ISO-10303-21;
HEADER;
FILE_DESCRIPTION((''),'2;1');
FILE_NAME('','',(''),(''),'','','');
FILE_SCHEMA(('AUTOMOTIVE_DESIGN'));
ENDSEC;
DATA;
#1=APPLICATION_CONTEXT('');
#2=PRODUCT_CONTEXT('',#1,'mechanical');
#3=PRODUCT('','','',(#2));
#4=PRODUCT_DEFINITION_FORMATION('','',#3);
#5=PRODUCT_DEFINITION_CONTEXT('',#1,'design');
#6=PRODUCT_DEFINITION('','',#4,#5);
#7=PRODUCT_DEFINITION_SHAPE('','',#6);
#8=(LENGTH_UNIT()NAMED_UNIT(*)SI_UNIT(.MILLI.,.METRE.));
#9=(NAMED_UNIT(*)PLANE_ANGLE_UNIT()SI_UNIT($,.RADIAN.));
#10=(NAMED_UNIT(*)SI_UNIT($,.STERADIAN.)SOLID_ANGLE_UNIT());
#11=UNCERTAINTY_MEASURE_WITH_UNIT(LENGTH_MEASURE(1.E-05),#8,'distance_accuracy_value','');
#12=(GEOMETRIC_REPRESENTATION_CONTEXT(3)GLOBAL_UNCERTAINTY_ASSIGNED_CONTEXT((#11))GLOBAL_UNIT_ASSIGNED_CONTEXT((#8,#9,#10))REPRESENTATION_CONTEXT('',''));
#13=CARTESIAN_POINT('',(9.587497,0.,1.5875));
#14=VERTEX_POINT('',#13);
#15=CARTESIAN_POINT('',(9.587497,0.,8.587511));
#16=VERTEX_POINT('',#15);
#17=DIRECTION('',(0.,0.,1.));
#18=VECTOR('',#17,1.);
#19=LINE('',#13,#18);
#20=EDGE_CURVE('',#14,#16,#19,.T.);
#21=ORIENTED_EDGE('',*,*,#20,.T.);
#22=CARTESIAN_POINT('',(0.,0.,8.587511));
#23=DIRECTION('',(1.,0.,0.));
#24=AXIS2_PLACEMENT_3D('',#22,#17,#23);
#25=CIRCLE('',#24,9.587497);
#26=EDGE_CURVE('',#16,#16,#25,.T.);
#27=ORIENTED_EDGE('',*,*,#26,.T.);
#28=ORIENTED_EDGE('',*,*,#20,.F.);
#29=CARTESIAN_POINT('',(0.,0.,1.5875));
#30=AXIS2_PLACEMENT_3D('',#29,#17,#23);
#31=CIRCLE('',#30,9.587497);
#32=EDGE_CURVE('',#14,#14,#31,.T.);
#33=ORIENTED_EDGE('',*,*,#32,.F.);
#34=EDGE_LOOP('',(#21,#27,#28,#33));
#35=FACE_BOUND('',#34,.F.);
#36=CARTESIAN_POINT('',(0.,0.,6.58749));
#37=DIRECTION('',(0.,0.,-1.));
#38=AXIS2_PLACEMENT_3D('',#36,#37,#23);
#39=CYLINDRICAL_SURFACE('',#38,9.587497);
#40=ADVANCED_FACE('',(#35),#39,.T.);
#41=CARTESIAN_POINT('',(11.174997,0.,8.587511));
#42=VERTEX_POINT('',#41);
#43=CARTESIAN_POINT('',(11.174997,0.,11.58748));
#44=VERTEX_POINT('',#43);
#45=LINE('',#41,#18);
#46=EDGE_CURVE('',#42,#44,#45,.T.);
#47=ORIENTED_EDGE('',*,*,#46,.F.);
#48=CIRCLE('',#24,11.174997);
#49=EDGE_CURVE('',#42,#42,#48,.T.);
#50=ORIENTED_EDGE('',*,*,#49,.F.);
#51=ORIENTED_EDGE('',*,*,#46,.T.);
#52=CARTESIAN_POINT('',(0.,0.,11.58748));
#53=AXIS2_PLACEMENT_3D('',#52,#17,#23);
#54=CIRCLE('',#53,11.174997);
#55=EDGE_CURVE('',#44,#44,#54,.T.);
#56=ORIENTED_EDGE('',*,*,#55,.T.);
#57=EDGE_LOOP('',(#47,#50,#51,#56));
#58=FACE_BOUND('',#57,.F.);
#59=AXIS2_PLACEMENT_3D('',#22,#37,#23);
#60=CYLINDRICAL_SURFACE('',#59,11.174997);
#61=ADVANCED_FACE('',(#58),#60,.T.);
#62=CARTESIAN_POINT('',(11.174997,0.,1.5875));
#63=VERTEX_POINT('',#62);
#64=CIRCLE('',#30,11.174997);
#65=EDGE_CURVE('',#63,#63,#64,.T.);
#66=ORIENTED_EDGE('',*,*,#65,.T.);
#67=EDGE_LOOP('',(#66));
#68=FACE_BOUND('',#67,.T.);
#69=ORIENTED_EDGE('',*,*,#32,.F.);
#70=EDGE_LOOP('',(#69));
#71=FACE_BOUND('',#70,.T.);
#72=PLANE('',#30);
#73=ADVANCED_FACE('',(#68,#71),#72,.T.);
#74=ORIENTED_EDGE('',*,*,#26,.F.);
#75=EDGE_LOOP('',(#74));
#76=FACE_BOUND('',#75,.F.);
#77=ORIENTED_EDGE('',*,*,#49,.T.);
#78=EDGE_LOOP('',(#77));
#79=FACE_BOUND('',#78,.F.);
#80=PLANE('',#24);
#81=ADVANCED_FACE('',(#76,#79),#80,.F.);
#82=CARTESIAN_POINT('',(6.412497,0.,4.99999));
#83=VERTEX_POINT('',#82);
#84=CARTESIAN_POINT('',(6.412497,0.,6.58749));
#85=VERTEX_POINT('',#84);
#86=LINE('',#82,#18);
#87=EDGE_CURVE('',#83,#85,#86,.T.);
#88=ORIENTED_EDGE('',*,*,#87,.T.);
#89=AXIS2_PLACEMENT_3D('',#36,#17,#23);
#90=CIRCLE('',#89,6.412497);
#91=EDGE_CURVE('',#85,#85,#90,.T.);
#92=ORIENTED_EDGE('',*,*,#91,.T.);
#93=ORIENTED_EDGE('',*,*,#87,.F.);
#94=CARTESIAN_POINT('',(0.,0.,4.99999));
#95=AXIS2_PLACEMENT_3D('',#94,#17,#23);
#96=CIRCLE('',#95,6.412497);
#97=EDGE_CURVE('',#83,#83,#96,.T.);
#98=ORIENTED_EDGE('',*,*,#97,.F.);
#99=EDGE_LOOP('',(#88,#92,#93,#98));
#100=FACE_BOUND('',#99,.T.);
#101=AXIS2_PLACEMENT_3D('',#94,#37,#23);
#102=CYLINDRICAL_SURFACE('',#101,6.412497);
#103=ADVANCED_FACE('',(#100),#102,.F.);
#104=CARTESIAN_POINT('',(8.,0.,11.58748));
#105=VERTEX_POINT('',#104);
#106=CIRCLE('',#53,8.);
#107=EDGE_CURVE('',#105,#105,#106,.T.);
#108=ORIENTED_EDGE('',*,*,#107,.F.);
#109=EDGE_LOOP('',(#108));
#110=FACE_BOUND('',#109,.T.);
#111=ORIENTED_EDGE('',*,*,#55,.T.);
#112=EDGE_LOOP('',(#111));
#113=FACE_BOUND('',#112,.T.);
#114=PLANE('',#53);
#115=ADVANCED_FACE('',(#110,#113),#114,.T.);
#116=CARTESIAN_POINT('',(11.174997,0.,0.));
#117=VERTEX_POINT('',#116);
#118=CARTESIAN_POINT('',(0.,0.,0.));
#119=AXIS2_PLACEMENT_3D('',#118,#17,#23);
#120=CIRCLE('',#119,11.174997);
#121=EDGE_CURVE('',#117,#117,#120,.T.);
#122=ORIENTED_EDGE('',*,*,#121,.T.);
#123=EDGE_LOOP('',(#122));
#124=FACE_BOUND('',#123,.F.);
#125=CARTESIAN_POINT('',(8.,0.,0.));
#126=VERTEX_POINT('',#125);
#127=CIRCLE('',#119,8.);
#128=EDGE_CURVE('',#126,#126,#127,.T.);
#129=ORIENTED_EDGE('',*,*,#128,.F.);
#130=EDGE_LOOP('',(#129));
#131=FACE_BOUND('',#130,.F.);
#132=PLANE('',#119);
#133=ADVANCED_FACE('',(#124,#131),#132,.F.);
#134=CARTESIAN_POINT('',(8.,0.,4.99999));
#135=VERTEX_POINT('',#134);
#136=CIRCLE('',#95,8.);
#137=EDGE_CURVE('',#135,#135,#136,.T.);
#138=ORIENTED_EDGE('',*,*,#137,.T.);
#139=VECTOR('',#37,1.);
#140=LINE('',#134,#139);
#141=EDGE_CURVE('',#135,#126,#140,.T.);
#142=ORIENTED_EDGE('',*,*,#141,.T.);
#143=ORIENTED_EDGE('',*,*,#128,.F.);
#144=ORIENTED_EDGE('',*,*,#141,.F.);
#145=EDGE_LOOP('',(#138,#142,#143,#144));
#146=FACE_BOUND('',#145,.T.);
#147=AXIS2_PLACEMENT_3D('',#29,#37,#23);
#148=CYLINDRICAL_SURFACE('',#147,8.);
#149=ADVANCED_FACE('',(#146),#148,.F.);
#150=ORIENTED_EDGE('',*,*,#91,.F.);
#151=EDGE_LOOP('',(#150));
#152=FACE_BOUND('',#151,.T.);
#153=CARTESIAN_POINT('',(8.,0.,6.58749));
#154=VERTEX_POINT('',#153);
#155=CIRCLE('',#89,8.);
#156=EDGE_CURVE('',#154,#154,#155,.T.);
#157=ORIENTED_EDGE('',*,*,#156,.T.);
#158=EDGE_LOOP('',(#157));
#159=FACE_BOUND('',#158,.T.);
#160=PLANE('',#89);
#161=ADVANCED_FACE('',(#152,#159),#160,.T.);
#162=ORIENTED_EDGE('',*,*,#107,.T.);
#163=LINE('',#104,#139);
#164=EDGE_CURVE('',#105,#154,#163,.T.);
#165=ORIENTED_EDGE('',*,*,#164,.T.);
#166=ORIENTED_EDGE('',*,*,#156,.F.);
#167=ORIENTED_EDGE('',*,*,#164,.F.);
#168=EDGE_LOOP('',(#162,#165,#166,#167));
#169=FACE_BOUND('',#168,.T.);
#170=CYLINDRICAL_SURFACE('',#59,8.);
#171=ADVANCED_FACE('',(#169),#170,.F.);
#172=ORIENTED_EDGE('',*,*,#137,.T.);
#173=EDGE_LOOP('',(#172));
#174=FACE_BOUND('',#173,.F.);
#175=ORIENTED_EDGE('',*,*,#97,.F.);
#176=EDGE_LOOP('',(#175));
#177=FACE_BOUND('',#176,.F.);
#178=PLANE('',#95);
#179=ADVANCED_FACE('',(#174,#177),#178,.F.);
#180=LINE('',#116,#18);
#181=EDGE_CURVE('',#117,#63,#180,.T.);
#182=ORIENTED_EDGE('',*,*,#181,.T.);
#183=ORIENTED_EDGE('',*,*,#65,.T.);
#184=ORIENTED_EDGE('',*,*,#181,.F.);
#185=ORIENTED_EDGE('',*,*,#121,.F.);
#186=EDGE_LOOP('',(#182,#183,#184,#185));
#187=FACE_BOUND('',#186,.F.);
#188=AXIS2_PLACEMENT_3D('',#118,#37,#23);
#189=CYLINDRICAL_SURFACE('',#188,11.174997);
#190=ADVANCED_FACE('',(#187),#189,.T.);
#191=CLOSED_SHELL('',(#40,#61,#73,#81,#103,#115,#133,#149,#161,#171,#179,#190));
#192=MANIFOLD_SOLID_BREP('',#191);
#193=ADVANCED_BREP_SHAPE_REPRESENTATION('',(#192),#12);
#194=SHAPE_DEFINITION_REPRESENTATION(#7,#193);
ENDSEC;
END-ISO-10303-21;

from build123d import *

# Parameters (mm, degrees)
F0_R     = 11.1749967
F0_R_2   = 8
F1_DEPTH = 1.5875
F2_R     = 9.5874967
F2_R_2   = 8
F3_DEPTH = 3.41249
F4_R     = 9.5874967
F4_R_2   = 6.4124967
F5_DEPTH = 1.5875
F6_R     = 9.5874967
F6_R_2   = 8
F7_DEPTH = 2.0000214
F8_R     = 11.1749967
F8_R_2   = 8
F9_DEPTH = 2.9999686


with BuildPart() as f1:
    # F0 (on Top) → F1 (new body)
    with BuildSketch(Plane.XY):
        Circle(F0_R)
        Circle(F0_R_2, mode=Mode.SUBTRACT)
    extrude(amount=F1_DEPTH)

    # F2 (on face) → F3 (join)
    with BuildSketch(Plane.XY.offset(1.5875)):
        Circle(F2_R)
        Circle(F2_R_2, mode=Mode.SUBTRACT)
    extrude(amount=F3_DEPTH)

    # F4 (on face) → F5 (join)
    with BuildSketch(Plane.XY.offset(4.99999)):
        Circle(F4_R)
        Circle(F4_R_2, mode=Mode.SUBTRACT)
    extrude(amount=F5_DEPTH)

    # F6 (on face) → F7 (join)
    with BuildSketch(Plane.XY.offset(6.58749)):
        Circle(F6_R)
        Circle(F6_R_2, mode=Mode.SUBTRACT)
    extrude(amount=F7_DEPTH)

    # F8 (on face) → F9 (join)
    with BuildSketch(Plane.XY.offset(8.5875114)):
        Circle(F8_R)
        Circle(F8_R_2, mode=Mode.SUBTRACT)
    extrude(amount=F9_DEPTH)


solid = f1.part
